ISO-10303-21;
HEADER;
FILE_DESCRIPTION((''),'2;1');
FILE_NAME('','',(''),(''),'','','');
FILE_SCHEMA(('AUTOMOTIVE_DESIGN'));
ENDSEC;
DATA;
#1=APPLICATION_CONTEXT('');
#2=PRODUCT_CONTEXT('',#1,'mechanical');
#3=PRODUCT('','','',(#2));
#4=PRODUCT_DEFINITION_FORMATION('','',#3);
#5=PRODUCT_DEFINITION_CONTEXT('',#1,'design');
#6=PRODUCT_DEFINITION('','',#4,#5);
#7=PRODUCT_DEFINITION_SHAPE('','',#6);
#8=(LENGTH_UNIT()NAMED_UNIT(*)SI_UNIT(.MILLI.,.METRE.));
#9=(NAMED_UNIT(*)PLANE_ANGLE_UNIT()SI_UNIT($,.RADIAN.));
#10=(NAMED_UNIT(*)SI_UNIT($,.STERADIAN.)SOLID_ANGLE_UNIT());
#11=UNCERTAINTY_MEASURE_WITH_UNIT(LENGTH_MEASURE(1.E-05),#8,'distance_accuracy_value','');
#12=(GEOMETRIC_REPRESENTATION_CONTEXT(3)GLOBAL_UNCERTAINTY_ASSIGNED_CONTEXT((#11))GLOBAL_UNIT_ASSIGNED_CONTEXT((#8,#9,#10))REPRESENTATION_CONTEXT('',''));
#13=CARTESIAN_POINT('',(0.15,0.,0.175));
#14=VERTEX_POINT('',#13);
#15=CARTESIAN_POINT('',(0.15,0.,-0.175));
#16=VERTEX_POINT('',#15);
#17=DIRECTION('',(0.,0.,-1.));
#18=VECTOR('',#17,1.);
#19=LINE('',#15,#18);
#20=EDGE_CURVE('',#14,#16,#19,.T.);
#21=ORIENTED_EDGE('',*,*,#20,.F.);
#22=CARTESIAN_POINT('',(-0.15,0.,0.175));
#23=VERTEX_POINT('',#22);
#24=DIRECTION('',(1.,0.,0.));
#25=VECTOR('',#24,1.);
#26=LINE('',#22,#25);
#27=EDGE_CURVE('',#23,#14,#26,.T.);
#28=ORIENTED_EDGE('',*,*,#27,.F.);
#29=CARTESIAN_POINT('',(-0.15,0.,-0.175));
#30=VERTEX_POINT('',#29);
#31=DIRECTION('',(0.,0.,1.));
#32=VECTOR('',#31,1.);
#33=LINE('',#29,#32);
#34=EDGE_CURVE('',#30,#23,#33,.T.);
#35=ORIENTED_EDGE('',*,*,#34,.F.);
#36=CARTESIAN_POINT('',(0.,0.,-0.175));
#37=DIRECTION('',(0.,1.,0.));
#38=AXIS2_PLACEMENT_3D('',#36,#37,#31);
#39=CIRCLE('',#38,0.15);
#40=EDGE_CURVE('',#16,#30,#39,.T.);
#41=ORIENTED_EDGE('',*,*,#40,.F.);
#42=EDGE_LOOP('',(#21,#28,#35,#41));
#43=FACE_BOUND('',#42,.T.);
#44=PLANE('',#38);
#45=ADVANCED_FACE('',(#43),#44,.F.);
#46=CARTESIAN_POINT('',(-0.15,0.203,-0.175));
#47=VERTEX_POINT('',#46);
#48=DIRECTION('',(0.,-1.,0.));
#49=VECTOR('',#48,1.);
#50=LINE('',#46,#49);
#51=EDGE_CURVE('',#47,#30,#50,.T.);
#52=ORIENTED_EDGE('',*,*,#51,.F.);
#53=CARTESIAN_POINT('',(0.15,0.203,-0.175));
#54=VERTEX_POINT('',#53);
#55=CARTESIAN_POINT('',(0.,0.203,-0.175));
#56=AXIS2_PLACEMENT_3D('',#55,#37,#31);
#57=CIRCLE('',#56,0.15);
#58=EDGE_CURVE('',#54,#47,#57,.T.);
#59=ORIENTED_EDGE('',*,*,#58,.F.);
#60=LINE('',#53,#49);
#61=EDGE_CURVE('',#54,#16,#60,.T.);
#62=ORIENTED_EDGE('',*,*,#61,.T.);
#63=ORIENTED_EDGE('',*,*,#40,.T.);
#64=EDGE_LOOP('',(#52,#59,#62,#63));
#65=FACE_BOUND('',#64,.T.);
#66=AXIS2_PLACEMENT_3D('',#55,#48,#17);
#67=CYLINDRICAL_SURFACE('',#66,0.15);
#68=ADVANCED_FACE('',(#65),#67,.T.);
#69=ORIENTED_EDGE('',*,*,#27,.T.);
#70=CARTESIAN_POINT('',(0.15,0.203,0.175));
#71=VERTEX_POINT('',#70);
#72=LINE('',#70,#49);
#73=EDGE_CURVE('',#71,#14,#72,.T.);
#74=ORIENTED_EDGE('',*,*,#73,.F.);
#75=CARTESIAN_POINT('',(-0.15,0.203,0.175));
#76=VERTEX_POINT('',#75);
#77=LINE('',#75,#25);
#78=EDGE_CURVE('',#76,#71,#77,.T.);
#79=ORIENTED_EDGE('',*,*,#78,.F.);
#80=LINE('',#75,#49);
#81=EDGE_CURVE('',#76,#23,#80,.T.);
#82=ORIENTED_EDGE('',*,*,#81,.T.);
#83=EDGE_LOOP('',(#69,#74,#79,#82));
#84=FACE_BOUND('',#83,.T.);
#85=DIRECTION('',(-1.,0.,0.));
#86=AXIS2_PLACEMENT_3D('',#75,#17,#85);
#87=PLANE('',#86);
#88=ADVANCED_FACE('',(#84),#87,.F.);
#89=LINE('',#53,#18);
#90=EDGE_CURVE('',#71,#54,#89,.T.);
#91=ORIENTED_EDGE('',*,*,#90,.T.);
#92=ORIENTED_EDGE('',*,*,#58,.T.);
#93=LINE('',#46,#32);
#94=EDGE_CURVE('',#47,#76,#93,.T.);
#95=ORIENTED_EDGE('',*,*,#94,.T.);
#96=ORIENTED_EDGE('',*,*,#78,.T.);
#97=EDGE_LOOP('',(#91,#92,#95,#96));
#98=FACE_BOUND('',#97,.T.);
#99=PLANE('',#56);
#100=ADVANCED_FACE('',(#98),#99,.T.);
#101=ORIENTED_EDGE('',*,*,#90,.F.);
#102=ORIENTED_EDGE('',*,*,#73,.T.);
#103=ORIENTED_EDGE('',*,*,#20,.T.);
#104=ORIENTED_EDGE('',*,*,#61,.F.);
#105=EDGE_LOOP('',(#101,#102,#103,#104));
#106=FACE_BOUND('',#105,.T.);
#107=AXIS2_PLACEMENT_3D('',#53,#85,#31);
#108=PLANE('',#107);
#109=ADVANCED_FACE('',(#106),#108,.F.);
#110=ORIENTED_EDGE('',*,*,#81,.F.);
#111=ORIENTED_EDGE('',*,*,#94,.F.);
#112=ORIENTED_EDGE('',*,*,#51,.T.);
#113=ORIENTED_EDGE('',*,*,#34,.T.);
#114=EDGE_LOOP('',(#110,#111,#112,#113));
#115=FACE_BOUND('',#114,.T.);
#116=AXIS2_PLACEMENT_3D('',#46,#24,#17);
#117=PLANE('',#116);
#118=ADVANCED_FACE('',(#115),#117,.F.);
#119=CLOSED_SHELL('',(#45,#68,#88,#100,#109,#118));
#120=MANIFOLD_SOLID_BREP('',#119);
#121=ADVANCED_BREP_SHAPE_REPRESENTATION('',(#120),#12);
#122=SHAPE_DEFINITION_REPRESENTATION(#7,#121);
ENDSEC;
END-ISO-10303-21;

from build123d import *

# Parameters (mm, degrees)
BOSS_EXTRUDE1_DEPTH = 0.203


with BuildPart() as part:
    # Sketch1 → Boss-Extrude1 (new body)
    with BuildSketch(Plane(origin=(0, 0, 0), x_dir=(1, 0, 0), z_dir=(0, 1, 0))):
        with BuildLine():
            Line((-0.15, 0.175), (-0.15, -0.175))
            Line((-0.15, -0.175), (0.15, -0.175))
            Line((0.15, -0.175), (0.15, 0.175))
            ThreePointArc((0.15, 0.175), (0, 0.325), (-0.15, 0.175))
        make_face()
    extrude(amount=BOSS_EXTRUDE1_DEPTH)


solid = part.part
